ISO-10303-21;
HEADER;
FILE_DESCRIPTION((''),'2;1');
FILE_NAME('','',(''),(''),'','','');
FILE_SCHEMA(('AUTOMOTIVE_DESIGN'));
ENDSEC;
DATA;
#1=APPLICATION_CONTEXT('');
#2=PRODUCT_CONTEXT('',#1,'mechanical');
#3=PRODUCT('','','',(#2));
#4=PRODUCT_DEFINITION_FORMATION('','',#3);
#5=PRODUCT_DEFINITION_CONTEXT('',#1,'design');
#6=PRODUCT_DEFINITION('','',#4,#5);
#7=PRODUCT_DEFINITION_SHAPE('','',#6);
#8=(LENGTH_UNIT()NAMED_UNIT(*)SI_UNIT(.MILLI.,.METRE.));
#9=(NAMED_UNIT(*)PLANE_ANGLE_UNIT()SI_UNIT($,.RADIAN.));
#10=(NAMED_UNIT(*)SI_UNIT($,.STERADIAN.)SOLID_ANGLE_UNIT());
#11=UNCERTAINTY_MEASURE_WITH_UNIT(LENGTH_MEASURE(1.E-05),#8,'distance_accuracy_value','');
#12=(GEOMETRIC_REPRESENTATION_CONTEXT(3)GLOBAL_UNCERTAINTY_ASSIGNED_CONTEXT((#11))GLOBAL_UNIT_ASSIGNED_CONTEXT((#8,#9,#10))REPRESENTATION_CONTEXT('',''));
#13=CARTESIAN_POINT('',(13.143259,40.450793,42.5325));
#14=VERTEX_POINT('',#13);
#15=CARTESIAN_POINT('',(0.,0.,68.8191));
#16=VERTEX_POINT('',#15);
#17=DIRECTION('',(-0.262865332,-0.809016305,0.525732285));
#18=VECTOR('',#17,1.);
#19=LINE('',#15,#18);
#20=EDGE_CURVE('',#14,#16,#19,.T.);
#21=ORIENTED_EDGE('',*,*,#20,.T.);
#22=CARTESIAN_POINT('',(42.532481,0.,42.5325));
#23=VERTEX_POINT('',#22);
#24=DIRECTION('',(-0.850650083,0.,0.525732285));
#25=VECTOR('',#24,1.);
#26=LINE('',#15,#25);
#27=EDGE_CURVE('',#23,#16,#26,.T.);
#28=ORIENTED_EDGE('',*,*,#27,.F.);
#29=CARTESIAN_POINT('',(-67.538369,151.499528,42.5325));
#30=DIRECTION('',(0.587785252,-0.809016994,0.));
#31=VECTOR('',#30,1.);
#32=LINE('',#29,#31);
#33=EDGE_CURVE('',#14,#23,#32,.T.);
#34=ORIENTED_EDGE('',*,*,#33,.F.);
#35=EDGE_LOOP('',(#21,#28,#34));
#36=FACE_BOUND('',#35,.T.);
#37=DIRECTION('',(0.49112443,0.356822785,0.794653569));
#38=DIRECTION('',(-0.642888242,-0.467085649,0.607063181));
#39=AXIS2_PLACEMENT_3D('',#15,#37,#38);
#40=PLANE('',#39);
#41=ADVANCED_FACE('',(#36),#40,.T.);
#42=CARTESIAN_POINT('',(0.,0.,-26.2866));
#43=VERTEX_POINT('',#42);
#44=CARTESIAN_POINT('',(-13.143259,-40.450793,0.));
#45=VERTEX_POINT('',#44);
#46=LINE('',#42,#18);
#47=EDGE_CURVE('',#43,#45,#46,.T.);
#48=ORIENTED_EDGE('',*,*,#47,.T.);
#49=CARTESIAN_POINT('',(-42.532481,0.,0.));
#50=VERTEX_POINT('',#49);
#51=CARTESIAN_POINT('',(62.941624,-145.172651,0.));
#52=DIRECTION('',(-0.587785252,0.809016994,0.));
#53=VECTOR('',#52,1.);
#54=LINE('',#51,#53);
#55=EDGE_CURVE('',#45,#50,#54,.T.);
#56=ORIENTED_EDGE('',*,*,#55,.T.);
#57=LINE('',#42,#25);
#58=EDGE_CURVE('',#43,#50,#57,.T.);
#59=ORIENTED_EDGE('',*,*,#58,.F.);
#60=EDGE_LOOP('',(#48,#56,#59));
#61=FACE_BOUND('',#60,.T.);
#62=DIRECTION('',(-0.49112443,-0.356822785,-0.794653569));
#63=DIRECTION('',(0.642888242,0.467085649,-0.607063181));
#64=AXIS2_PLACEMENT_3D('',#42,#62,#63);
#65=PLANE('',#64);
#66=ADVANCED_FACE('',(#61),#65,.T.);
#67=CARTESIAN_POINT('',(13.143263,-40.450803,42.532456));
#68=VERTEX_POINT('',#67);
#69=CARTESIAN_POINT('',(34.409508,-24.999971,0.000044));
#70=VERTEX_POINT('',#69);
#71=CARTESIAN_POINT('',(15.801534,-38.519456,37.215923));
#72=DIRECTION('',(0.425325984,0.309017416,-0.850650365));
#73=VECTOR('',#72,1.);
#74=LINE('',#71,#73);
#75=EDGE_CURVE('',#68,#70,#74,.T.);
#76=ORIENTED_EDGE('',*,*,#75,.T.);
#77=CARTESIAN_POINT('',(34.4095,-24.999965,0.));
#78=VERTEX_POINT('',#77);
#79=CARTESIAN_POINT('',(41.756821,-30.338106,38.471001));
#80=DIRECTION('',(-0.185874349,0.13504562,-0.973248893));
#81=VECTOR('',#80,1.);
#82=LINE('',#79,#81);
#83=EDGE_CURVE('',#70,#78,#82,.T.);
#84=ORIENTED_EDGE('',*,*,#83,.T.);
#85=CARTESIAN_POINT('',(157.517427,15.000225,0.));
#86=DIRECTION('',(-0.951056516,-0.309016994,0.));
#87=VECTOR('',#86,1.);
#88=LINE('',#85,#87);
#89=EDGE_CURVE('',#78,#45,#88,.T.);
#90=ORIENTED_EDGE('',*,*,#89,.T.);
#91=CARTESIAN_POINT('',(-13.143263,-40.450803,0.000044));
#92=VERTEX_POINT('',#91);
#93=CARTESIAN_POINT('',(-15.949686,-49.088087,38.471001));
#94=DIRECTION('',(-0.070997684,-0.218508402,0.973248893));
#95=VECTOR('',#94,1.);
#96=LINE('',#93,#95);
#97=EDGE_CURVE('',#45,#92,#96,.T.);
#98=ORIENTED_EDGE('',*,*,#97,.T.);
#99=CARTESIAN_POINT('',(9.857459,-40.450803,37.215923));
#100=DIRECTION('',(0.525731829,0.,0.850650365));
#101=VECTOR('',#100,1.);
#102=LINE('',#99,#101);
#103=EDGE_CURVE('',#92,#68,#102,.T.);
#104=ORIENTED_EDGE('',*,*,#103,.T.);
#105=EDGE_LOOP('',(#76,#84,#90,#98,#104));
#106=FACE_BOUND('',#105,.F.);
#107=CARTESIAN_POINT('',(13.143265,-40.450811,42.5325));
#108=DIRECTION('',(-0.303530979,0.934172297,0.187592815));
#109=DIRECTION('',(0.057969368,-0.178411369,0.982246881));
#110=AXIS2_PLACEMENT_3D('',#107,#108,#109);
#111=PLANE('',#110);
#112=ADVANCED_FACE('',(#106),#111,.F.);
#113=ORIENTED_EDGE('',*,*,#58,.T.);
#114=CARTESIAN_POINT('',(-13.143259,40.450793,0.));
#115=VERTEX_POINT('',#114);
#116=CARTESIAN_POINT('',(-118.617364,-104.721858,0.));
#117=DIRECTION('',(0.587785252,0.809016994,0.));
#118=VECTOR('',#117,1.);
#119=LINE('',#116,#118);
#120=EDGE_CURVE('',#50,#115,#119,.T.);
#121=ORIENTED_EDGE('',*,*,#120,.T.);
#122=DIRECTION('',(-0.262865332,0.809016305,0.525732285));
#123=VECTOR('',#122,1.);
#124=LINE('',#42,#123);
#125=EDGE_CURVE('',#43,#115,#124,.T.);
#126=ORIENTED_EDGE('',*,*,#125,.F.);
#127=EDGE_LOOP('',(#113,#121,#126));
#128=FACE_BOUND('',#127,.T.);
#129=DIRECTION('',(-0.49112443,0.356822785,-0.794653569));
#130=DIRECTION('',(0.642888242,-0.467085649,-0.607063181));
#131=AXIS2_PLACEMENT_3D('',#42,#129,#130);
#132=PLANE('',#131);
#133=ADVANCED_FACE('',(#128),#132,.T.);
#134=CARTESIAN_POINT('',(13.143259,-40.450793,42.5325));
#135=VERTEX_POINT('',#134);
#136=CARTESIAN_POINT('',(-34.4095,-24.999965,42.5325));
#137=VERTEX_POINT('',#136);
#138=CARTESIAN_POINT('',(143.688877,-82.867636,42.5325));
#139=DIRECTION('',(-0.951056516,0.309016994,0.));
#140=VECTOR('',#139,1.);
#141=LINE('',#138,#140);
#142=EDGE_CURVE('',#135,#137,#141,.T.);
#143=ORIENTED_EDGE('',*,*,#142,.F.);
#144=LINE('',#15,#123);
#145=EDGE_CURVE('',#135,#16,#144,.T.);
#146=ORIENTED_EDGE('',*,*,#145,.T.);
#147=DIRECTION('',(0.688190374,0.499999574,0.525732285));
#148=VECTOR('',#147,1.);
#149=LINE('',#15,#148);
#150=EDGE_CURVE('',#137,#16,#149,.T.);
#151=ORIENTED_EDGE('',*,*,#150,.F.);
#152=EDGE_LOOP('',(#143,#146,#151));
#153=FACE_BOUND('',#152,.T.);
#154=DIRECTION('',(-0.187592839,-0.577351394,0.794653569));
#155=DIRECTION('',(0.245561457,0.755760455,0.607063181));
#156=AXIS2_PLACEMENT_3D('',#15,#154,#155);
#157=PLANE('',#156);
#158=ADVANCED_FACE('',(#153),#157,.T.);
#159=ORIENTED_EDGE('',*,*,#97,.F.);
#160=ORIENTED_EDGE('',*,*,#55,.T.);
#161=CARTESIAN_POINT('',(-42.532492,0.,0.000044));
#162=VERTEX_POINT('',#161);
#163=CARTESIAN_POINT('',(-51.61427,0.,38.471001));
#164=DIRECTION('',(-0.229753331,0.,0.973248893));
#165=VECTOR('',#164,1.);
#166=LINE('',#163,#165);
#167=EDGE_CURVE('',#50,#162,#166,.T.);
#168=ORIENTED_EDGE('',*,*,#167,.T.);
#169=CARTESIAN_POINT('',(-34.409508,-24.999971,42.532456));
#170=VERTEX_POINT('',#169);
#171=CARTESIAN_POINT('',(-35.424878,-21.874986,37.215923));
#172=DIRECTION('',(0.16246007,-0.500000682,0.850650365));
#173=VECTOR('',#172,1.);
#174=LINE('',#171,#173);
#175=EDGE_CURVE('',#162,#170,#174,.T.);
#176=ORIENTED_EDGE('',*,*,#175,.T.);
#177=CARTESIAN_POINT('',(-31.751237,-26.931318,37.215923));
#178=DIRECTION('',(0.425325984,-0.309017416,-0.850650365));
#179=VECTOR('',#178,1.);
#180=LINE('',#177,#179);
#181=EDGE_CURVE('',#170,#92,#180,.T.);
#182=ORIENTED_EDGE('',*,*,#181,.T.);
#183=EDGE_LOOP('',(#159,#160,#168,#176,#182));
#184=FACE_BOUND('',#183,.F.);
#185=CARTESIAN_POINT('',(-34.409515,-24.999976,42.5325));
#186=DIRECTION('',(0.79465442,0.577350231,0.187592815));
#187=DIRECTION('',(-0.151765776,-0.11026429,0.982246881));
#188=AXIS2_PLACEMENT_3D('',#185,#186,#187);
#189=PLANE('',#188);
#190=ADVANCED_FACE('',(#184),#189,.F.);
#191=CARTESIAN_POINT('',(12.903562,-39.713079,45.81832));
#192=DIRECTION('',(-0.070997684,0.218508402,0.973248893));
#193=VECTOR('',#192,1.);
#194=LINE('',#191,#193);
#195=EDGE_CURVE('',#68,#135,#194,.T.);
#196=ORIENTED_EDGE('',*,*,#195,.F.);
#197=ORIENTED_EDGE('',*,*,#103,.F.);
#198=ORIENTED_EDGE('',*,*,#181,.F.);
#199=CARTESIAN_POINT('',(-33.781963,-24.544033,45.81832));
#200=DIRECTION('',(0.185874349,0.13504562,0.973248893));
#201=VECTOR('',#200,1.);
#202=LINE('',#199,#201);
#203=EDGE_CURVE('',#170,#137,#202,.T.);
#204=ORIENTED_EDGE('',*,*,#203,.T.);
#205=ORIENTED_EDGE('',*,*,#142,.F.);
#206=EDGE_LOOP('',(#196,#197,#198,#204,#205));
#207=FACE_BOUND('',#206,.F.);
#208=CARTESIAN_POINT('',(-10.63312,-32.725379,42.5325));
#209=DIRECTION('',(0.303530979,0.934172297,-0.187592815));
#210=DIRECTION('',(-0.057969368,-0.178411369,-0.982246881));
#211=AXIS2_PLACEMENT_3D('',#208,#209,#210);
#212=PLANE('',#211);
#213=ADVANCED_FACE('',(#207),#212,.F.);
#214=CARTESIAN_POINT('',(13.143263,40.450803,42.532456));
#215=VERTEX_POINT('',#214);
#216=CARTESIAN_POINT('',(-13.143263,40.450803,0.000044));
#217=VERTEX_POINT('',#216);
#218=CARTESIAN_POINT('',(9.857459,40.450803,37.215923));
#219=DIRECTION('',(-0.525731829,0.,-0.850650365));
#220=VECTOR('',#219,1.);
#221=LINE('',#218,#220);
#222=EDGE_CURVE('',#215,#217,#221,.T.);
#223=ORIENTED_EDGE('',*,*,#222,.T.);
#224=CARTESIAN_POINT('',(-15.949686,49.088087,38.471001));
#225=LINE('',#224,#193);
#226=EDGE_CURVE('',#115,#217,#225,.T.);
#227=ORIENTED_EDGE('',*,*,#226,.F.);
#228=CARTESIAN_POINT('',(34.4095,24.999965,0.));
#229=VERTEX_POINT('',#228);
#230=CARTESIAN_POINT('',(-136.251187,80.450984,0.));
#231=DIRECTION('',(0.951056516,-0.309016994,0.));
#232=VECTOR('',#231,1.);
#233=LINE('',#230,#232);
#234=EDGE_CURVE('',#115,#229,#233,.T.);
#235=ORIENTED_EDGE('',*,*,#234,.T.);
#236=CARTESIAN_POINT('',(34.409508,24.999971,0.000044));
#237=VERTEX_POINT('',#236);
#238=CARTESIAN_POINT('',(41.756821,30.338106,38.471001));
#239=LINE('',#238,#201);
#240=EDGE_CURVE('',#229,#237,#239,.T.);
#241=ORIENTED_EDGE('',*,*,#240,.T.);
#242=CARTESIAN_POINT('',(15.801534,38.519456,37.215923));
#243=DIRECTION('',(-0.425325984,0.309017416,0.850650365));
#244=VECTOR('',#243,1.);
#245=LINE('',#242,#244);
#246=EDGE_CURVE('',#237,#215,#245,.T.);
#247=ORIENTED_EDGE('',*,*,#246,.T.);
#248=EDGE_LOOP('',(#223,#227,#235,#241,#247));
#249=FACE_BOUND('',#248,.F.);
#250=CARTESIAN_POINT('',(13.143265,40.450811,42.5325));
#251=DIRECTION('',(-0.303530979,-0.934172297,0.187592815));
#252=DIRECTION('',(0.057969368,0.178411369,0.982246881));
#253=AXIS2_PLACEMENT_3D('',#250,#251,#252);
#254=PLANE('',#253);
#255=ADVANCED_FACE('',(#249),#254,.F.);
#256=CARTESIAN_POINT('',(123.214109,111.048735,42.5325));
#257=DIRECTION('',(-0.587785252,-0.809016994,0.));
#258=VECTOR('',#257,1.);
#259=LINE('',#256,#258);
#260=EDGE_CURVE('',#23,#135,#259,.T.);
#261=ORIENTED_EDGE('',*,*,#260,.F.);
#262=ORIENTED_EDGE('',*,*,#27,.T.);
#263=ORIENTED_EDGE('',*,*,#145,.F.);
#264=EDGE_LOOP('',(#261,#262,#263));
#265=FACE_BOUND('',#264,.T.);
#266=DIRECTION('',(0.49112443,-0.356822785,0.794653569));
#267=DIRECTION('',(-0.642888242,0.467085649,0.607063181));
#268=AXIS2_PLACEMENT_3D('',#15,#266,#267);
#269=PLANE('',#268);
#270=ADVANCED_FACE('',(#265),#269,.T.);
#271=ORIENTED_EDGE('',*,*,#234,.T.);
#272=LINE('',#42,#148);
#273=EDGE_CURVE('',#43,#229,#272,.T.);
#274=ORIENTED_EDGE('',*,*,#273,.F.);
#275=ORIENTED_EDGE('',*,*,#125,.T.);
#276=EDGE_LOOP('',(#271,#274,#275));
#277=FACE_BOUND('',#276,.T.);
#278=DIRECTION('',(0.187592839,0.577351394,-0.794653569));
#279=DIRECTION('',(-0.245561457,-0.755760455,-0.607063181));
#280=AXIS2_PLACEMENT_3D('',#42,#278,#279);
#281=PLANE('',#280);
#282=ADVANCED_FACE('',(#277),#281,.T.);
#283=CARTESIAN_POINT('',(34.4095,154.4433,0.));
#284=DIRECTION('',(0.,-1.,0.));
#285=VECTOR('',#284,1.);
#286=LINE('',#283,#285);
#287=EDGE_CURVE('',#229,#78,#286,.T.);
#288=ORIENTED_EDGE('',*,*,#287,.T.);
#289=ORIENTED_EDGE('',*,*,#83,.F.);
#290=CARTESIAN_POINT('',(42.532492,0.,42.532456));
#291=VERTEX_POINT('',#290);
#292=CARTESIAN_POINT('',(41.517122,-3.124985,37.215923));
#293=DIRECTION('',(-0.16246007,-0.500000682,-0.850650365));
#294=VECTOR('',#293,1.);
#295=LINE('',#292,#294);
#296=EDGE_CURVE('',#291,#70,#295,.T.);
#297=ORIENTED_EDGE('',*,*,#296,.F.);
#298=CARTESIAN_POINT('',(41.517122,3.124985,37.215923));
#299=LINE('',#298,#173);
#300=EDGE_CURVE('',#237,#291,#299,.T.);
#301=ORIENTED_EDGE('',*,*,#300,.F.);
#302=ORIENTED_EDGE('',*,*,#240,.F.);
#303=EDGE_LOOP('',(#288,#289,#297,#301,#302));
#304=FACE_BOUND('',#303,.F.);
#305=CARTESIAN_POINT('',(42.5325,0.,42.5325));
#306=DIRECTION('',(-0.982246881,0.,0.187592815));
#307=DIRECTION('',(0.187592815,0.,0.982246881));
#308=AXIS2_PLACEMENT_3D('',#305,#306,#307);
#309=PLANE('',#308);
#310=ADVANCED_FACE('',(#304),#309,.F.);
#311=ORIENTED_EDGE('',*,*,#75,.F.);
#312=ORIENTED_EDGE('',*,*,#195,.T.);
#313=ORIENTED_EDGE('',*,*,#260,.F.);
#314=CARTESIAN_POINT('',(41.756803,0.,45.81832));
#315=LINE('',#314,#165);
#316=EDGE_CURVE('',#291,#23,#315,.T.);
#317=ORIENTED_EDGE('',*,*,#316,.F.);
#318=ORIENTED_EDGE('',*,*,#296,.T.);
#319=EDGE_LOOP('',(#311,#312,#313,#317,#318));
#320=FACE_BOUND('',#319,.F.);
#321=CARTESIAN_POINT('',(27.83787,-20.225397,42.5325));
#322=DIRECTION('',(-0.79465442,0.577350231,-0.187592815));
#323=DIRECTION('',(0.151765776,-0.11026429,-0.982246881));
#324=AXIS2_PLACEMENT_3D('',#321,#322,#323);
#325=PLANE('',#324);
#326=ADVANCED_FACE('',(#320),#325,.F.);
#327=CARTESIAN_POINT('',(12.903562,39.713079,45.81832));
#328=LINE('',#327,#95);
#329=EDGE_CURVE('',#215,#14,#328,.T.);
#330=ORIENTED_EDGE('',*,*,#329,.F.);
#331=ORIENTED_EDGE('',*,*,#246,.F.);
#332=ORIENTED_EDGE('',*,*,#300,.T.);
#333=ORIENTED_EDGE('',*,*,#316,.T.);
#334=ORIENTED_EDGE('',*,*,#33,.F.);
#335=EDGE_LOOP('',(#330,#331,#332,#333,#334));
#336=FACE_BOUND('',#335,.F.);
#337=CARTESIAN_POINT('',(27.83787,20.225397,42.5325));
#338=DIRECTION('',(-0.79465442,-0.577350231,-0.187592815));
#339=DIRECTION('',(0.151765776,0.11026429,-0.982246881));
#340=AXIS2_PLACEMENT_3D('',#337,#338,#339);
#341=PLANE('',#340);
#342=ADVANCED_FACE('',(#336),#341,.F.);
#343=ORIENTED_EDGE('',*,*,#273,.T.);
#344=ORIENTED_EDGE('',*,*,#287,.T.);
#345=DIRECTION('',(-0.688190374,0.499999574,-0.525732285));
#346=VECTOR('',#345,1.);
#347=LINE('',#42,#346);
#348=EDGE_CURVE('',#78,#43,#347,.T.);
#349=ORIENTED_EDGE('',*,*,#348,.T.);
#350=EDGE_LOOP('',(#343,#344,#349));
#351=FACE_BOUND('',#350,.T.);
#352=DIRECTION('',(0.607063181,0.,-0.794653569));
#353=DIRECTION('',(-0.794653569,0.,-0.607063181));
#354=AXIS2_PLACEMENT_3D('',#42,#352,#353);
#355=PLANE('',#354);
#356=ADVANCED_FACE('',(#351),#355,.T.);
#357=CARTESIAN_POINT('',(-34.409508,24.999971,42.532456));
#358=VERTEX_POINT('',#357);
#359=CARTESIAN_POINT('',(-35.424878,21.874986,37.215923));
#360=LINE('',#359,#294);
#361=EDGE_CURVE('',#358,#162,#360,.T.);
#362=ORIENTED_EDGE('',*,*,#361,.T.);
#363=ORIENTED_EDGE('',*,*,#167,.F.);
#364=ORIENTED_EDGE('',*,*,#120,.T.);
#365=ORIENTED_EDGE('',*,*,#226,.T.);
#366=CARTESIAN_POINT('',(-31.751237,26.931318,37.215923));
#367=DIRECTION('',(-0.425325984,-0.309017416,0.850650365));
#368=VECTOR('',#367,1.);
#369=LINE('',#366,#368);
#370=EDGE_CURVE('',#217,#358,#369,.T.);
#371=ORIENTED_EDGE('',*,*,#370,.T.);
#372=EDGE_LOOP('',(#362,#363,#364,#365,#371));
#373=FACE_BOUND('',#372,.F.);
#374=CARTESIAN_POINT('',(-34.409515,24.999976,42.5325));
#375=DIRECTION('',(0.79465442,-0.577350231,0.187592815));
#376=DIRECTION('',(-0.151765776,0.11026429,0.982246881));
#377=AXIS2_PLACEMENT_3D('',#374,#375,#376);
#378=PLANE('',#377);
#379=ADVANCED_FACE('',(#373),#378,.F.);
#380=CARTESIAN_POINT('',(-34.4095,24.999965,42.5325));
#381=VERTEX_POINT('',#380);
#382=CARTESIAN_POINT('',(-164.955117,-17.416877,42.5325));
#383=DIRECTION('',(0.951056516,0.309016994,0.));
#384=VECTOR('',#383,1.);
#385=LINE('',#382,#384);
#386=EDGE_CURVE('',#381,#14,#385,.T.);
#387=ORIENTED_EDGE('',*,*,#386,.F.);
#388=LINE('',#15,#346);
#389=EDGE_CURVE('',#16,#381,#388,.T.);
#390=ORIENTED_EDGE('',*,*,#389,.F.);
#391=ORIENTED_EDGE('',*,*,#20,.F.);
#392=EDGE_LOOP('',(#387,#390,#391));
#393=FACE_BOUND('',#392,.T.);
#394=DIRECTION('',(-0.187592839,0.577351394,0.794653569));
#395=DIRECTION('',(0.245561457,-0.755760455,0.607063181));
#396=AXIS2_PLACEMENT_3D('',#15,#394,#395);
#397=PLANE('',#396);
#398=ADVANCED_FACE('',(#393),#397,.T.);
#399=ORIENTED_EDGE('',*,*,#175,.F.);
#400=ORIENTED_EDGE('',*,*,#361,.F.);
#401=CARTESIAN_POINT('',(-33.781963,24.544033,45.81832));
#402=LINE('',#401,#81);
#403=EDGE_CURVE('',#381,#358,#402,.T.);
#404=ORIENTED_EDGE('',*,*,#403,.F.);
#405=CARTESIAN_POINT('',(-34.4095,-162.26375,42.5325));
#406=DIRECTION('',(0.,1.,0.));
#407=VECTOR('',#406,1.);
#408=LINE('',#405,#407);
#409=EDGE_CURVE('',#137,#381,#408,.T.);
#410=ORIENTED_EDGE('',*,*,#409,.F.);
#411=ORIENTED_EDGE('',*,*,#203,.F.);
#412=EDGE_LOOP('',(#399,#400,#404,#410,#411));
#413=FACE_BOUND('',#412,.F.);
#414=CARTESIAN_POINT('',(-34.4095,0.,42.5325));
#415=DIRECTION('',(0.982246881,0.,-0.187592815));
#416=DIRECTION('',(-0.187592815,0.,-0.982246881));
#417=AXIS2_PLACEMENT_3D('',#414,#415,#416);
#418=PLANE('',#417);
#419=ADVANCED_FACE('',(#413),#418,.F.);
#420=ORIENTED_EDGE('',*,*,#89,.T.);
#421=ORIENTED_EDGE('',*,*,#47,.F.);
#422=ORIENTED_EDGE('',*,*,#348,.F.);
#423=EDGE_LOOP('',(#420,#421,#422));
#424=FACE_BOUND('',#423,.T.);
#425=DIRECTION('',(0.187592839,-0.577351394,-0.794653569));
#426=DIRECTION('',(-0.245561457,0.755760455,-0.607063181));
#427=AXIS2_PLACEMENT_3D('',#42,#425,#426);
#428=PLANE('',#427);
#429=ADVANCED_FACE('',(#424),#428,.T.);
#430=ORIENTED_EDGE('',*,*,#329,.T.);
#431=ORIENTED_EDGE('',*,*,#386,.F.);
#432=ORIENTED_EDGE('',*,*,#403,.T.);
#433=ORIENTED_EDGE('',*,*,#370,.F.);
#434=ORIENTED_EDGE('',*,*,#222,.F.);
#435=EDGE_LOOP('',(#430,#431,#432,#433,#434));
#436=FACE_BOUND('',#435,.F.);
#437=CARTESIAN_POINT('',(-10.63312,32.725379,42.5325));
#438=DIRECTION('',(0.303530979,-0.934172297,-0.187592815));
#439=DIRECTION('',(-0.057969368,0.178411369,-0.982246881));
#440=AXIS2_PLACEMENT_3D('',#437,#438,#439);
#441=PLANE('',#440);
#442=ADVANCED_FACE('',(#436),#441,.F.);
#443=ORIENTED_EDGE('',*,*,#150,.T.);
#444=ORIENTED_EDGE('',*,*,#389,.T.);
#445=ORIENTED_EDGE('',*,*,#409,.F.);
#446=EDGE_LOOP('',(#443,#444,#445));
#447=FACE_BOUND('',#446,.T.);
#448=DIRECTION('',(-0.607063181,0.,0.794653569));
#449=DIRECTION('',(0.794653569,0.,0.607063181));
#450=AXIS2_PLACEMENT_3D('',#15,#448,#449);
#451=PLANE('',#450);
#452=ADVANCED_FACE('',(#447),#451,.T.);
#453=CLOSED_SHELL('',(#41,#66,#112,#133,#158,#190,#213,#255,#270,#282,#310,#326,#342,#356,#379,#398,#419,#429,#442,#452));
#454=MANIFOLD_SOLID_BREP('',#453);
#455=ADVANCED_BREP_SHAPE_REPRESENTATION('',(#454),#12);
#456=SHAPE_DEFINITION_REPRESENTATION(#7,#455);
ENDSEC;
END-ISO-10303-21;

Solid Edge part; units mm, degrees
sketch "Sketch1" plane through (0, 0, 0) normal (0, -1, 0) x (1, 0, 0)
  arc A0 (0, 121.2663) -> (0, -78.7337) centre (0, 21.2663) ccw
  line L0 (0, 121.2663) -> (0, -78.7337)
revolve "RevolvedProtrusion1" add sketch "Sketch1" angle 360 about axis through (0, 0, 121.2663) along (0, 0, -1)
sketch "Sketch2" plane through (0, 0, 0) normal (0, -1, 0) x (1, 0, 0)
  line L0 (0, 68.8191) -> (-34.4095, 42.5325)
  line L1 (-34.4095, 42.5325) -> (-42.5325, 0)
extrude "Cutout1" cut sketch "Sketch2" along normal mid plane 324.5275 material side at (-17.2351, 0, 55.7155)
sketch "Sketch3" plane through (0, 0, 0) normal (0, -1, 0) x (1, 0, 0)
  line L0 (0, -26.2866) -> (34.4095, 0)
  line L1 (34.4095, 0) -> (42.5325, 42.5325)
extrude "ExtrudedCutout_2" cut sketch "Sketch3" along normal mid plane 308.8866 material side at (17.2351, 0, -13.183)
pattern_circular "Pattern1" count 5 over 360 about axis through (0, 0, 0) along (0, 0, 1) of "Cutout1", "ExtrudedCutout_2"
